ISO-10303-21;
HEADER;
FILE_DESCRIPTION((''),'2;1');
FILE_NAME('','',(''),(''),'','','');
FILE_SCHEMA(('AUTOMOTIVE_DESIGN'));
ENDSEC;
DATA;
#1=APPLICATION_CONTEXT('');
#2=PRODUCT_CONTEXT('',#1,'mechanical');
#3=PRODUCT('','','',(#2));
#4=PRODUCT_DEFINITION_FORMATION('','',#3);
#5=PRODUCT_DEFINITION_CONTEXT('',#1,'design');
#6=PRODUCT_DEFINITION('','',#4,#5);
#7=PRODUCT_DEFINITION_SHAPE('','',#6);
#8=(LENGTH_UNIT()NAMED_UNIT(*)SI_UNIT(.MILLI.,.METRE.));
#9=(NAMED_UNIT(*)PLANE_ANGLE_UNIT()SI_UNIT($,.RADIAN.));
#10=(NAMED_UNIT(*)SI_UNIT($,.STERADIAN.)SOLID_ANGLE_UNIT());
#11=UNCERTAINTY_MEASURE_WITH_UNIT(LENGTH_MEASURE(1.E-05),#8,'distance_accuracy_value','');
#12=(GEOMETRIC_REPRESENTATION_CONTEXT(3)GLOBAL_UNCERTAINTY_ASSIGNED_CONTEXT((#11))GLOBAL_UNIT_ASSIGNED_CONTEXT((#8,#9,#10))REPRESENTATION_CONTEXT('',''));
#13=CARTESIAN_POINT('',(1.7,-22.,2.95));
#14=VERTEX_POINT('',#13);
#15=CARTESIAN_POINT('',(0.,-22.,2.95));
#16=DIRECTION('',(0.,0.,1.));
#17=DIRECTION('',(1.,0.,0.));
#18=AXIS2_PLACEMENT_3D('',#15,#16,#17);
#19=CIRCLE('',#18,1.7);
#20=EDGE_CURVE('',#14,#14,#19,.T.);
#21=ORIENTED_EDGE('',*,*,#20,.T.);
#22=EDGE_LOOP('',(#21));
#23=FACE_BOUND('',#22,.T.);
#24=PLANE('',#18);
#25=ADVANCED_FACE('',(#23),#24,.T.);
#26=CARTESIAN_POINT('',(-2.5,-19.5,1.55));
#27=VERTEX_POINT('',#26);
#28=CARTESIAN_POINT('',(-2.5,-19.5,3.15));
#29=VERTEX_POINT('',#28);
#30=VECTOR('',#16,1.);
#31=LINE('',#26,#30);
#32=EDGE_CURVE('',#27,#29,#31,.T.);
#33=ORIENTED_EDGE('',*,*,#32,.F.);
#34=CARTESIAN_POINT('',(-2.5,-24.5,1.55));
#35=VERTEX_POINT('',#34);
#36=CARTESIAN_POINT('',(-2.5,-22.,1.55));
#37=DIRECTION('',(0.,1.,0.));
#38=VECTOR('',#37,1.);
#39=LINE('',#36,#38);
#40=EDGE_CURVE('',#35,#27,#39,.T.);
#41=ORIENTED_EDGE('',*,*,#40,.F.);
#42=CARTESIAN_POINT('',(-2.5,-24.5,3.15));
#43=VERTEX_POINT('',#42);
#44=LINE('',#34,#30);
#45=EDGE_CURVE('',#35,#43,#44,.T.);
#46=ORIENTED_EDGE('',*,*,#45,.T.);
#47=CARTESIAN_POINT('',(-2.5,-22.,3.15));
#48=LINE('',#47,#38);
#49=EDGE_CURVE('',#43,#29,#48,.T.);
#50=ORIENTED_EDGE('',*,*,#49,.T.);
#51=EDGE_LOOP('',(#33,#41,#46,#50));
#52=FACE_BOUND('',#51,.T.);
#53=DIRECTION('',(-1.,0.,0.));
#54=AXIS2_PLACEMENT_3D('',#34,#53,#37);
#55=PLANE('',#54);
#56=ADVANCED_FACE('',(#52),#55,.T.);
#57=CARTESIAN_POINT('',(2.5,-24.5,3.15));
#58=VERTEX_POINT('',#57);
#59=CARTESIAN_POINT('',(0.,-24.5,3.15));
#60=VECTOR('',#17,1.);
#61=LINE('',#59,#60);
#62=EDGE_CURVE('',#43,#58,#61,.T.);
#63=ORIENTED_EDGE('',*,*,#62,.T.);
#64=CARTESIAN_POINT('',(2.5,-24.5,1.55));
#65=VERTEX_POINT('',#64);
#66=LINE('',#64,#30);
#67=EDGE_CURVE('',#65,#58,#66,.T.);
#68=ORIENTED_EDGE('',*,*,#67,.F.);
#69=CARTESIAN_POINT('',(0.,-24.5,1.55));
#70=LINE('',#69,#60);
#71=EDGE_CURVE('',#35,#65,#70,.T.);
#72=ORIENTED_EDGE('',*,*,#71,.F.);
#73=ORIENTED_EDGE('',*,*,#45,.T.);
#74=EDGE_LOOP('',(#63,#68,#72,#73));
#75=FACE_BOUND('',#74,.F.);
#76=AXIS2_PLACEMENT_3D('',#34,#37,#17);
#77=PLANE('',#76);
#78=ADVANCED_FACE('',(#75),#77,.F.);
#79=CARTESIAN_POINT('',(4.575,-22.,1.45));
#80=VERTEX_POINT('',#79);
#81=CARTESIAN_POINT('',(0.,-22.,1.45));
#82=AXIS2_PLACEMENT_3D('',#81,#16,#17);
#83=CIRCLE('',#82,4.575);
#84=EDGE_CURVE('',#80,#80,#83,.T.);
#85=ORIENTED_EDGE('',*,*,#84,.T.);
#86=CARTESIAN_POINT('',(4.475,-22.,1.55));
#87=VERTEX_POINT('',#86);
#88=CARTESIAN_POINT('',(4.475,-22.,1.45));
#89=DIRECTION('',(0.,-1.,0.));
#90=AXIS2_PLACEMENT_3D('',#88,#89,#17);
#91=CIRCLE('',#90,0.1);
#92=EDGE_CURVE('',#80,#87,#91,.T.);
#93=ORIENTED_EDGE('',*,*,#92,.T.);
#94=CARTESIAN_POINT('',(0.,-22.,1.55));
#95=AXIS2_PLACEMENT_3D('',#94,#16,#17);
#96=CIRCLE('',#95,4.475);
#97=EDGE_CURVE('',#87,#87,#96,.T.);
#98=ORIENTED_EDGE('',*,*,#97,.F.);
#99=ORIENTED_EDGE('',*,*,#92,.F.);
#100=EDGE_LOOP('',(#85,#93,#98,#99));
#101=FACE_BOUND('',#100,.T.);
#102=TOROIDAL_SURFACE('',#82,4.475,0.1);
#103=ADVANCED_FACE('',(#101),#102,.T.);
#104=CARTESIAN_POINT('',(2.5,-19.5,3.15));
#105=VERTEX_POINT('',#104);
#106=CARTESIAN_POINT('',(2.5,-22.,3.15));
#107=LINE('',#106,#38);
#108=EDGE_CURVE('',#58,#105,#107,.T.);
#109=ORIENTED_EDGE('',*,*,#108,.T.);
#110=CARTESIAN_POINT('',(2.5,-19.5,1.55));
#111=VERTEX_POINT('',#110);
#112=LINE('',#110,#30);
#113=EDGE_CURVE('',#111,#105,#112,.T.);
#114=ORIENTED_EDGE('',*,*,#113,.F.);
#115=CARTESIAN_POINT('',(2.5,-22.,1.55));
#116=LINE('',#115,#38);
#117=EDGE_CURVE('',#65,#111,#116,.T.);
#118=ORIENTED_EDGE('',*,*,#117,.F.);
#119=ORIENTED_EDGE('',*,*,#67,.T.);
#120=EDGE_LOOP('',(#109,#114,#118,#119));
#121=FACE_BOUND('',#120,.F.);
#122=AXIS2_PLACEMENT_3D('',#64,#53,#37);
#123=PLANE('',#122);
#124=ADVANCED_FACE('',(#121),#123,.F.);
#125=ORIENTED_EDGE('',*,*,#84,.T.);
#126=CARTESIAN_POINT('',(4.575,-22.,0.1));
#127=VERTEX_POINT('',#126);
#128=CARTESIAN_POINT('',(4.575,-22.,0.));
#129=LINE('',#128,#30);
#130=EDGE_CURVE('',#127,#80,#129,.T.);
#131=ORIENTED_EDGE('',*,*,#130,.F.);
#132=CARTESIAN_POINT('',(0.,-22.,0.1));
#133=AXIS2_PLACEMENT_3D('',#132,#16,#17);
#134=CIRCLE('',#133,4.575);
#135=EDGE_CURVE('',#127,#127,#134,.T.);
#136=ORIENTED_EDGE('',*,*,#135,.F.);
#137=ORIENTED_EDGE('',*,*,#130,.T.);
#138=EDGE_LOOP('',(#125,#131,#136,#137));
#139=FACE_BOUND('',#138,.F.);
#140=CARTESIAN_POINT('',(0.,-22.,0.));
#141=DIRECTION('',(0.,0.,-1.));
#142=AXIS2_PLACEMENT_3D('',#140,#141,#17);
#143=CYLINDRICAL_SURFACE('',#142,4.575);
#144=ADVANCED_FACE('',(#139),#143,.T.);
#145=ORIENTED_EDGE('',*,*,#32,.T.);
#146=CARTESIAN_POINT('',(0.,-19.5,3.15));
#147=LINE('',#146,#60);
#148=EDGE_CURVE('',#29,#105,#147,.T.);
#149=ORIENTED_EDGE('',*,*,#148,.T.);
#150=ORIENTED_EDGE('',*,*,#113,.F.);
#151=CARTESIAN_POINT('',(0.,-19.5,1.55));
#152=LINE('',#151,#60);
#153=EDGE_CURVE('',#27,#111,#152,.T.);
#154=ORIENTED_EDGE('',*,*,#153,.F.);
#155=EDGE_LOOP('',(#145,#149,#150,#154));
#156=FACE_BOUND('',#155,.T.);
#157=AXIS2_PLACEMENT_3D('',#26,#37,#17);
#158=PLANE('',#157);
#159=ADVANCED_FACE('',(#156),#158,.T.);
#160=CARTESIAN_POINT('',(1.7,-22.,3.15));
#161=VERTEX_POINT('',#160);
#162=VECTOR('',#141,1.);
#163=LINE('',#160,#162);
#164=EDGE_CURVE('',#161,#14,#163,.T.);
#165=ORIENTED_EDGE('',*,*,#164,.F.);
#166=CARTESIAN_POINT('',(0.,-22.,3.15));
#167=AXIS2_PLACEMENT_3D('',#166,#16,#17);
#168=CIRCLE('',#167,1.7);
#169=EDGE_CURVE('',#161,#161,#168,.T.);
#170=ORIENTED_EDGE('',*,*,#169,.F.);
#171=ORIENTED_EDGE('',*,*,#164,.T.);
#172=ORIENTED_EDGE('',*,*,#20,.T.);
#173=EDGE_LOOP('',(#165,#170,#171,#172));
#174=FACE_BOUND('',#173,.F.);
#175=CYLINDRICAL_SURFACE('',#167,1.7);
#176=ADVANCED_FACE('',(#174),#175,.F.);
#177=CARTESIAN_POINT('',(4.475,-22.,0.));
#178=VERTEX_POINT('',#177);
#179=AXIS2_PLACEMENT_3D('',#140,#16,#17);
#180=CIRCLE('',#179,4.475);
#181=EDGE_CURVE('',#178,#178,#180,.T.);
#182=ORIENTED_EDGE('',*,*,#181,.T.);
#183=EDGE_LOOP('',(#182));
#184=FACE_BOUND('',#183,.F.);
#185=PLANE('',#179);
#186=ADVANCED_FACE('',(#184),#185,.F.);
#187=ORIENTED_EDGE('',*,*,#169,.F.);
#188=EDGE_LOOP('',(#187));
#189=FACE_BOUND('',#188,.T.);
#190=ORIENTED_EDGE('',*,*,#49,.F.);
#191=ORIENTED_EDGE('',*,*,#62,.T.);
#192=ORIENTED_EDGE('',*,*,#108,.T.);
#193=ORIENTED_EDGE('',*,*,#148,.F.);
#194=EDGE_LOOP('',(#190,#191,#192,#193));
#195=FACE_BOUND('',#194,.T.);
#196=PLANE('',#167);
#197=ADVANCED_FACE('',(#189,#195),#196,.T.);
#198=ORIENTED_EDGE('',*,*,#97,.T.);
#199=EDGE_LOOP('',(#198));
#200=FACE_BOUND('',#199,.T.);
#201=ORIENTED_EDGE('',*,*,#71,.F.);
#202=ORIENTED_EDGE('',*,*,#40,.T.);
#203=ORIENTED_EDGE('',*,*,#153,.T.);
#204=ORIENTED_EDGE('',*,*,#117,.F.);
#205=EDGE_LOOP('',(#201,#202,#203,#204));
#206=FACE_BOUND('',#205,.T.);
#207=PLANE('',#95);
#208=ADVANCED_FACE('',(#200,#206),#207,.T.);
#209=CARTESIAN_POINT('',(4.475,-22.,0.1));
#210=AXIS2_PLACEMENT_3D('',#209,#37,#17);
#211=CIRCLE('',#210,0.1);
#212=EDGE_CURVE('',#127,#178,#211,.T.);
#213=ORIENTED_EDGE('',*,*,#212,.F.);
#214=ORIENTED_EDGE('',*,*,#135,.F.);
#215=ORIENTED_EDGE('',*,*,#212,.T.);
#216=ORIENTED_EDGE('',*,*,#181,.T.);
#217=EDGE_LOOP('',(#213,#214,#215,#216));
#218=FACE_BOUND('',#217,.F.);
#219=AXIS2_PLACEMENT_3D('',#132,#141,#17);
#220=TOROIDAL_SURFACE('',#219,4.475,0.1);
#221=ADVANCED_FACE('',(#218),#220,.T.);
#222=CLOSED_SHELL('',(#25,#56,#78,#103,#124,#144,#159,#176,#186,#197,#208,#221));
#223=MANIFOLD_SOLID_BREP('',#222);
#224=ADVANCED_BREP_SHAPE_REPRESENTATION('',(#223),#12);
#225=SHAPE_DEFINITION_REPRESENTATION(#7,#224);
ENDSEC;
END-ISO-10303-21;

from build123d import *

# Parameters (mm, degrees)
SKETCH005_R     = 4.575
PAD002_DEPTH    = 1.55
SKETCH004_W     = 5
SKETCH004_H     = 5
PAD003_DEPTH    = 1.6
SKETCH006_R     = 1.7
POCKET001_DEPTH = 0.2
FILLET001_R     = 0.1


with BuildPart() as part:
    # Sketch005 → Pad002 (new body)
    with BuildSketch(Plane.XY):
        Circle(SKETCH005_R)
    extrude(amount=PAD002_DEPTH)

    # Sketch004 (on Face3 of Pad002) → Pad003 (join)
    with BuildSketch(Plane.XY.offset(1.55)):
        Rectangle(SKETCH004_W, SKETCH004_H)
    extrude(amount=PAD003_DEPTH)

    # Sketch006 (on Face8 of Pad003) → Pocket001 (cut)
    with BuildSketch(Plane.XY.offset(3.15)):
        Circle(SKETCH006_R)
    extrude(amount=-POCKET001_DEPTH, mode=Mode.SUBTRACT)

    # Fillet001
    fillet001_edges = [part.edges().sort_by_distance(p)[0] for p in [
        (-4.575, 0, 0),
        (-4.575, 0, 1.55),
    ]]
    fillet(fillet001_edges, radius=FILLET001_R)


with BuildPart() as part_1:
    # Body002 placement: moved
    add(part.part.moved(Location((0, -22, 0))))


solid = part_1.part
